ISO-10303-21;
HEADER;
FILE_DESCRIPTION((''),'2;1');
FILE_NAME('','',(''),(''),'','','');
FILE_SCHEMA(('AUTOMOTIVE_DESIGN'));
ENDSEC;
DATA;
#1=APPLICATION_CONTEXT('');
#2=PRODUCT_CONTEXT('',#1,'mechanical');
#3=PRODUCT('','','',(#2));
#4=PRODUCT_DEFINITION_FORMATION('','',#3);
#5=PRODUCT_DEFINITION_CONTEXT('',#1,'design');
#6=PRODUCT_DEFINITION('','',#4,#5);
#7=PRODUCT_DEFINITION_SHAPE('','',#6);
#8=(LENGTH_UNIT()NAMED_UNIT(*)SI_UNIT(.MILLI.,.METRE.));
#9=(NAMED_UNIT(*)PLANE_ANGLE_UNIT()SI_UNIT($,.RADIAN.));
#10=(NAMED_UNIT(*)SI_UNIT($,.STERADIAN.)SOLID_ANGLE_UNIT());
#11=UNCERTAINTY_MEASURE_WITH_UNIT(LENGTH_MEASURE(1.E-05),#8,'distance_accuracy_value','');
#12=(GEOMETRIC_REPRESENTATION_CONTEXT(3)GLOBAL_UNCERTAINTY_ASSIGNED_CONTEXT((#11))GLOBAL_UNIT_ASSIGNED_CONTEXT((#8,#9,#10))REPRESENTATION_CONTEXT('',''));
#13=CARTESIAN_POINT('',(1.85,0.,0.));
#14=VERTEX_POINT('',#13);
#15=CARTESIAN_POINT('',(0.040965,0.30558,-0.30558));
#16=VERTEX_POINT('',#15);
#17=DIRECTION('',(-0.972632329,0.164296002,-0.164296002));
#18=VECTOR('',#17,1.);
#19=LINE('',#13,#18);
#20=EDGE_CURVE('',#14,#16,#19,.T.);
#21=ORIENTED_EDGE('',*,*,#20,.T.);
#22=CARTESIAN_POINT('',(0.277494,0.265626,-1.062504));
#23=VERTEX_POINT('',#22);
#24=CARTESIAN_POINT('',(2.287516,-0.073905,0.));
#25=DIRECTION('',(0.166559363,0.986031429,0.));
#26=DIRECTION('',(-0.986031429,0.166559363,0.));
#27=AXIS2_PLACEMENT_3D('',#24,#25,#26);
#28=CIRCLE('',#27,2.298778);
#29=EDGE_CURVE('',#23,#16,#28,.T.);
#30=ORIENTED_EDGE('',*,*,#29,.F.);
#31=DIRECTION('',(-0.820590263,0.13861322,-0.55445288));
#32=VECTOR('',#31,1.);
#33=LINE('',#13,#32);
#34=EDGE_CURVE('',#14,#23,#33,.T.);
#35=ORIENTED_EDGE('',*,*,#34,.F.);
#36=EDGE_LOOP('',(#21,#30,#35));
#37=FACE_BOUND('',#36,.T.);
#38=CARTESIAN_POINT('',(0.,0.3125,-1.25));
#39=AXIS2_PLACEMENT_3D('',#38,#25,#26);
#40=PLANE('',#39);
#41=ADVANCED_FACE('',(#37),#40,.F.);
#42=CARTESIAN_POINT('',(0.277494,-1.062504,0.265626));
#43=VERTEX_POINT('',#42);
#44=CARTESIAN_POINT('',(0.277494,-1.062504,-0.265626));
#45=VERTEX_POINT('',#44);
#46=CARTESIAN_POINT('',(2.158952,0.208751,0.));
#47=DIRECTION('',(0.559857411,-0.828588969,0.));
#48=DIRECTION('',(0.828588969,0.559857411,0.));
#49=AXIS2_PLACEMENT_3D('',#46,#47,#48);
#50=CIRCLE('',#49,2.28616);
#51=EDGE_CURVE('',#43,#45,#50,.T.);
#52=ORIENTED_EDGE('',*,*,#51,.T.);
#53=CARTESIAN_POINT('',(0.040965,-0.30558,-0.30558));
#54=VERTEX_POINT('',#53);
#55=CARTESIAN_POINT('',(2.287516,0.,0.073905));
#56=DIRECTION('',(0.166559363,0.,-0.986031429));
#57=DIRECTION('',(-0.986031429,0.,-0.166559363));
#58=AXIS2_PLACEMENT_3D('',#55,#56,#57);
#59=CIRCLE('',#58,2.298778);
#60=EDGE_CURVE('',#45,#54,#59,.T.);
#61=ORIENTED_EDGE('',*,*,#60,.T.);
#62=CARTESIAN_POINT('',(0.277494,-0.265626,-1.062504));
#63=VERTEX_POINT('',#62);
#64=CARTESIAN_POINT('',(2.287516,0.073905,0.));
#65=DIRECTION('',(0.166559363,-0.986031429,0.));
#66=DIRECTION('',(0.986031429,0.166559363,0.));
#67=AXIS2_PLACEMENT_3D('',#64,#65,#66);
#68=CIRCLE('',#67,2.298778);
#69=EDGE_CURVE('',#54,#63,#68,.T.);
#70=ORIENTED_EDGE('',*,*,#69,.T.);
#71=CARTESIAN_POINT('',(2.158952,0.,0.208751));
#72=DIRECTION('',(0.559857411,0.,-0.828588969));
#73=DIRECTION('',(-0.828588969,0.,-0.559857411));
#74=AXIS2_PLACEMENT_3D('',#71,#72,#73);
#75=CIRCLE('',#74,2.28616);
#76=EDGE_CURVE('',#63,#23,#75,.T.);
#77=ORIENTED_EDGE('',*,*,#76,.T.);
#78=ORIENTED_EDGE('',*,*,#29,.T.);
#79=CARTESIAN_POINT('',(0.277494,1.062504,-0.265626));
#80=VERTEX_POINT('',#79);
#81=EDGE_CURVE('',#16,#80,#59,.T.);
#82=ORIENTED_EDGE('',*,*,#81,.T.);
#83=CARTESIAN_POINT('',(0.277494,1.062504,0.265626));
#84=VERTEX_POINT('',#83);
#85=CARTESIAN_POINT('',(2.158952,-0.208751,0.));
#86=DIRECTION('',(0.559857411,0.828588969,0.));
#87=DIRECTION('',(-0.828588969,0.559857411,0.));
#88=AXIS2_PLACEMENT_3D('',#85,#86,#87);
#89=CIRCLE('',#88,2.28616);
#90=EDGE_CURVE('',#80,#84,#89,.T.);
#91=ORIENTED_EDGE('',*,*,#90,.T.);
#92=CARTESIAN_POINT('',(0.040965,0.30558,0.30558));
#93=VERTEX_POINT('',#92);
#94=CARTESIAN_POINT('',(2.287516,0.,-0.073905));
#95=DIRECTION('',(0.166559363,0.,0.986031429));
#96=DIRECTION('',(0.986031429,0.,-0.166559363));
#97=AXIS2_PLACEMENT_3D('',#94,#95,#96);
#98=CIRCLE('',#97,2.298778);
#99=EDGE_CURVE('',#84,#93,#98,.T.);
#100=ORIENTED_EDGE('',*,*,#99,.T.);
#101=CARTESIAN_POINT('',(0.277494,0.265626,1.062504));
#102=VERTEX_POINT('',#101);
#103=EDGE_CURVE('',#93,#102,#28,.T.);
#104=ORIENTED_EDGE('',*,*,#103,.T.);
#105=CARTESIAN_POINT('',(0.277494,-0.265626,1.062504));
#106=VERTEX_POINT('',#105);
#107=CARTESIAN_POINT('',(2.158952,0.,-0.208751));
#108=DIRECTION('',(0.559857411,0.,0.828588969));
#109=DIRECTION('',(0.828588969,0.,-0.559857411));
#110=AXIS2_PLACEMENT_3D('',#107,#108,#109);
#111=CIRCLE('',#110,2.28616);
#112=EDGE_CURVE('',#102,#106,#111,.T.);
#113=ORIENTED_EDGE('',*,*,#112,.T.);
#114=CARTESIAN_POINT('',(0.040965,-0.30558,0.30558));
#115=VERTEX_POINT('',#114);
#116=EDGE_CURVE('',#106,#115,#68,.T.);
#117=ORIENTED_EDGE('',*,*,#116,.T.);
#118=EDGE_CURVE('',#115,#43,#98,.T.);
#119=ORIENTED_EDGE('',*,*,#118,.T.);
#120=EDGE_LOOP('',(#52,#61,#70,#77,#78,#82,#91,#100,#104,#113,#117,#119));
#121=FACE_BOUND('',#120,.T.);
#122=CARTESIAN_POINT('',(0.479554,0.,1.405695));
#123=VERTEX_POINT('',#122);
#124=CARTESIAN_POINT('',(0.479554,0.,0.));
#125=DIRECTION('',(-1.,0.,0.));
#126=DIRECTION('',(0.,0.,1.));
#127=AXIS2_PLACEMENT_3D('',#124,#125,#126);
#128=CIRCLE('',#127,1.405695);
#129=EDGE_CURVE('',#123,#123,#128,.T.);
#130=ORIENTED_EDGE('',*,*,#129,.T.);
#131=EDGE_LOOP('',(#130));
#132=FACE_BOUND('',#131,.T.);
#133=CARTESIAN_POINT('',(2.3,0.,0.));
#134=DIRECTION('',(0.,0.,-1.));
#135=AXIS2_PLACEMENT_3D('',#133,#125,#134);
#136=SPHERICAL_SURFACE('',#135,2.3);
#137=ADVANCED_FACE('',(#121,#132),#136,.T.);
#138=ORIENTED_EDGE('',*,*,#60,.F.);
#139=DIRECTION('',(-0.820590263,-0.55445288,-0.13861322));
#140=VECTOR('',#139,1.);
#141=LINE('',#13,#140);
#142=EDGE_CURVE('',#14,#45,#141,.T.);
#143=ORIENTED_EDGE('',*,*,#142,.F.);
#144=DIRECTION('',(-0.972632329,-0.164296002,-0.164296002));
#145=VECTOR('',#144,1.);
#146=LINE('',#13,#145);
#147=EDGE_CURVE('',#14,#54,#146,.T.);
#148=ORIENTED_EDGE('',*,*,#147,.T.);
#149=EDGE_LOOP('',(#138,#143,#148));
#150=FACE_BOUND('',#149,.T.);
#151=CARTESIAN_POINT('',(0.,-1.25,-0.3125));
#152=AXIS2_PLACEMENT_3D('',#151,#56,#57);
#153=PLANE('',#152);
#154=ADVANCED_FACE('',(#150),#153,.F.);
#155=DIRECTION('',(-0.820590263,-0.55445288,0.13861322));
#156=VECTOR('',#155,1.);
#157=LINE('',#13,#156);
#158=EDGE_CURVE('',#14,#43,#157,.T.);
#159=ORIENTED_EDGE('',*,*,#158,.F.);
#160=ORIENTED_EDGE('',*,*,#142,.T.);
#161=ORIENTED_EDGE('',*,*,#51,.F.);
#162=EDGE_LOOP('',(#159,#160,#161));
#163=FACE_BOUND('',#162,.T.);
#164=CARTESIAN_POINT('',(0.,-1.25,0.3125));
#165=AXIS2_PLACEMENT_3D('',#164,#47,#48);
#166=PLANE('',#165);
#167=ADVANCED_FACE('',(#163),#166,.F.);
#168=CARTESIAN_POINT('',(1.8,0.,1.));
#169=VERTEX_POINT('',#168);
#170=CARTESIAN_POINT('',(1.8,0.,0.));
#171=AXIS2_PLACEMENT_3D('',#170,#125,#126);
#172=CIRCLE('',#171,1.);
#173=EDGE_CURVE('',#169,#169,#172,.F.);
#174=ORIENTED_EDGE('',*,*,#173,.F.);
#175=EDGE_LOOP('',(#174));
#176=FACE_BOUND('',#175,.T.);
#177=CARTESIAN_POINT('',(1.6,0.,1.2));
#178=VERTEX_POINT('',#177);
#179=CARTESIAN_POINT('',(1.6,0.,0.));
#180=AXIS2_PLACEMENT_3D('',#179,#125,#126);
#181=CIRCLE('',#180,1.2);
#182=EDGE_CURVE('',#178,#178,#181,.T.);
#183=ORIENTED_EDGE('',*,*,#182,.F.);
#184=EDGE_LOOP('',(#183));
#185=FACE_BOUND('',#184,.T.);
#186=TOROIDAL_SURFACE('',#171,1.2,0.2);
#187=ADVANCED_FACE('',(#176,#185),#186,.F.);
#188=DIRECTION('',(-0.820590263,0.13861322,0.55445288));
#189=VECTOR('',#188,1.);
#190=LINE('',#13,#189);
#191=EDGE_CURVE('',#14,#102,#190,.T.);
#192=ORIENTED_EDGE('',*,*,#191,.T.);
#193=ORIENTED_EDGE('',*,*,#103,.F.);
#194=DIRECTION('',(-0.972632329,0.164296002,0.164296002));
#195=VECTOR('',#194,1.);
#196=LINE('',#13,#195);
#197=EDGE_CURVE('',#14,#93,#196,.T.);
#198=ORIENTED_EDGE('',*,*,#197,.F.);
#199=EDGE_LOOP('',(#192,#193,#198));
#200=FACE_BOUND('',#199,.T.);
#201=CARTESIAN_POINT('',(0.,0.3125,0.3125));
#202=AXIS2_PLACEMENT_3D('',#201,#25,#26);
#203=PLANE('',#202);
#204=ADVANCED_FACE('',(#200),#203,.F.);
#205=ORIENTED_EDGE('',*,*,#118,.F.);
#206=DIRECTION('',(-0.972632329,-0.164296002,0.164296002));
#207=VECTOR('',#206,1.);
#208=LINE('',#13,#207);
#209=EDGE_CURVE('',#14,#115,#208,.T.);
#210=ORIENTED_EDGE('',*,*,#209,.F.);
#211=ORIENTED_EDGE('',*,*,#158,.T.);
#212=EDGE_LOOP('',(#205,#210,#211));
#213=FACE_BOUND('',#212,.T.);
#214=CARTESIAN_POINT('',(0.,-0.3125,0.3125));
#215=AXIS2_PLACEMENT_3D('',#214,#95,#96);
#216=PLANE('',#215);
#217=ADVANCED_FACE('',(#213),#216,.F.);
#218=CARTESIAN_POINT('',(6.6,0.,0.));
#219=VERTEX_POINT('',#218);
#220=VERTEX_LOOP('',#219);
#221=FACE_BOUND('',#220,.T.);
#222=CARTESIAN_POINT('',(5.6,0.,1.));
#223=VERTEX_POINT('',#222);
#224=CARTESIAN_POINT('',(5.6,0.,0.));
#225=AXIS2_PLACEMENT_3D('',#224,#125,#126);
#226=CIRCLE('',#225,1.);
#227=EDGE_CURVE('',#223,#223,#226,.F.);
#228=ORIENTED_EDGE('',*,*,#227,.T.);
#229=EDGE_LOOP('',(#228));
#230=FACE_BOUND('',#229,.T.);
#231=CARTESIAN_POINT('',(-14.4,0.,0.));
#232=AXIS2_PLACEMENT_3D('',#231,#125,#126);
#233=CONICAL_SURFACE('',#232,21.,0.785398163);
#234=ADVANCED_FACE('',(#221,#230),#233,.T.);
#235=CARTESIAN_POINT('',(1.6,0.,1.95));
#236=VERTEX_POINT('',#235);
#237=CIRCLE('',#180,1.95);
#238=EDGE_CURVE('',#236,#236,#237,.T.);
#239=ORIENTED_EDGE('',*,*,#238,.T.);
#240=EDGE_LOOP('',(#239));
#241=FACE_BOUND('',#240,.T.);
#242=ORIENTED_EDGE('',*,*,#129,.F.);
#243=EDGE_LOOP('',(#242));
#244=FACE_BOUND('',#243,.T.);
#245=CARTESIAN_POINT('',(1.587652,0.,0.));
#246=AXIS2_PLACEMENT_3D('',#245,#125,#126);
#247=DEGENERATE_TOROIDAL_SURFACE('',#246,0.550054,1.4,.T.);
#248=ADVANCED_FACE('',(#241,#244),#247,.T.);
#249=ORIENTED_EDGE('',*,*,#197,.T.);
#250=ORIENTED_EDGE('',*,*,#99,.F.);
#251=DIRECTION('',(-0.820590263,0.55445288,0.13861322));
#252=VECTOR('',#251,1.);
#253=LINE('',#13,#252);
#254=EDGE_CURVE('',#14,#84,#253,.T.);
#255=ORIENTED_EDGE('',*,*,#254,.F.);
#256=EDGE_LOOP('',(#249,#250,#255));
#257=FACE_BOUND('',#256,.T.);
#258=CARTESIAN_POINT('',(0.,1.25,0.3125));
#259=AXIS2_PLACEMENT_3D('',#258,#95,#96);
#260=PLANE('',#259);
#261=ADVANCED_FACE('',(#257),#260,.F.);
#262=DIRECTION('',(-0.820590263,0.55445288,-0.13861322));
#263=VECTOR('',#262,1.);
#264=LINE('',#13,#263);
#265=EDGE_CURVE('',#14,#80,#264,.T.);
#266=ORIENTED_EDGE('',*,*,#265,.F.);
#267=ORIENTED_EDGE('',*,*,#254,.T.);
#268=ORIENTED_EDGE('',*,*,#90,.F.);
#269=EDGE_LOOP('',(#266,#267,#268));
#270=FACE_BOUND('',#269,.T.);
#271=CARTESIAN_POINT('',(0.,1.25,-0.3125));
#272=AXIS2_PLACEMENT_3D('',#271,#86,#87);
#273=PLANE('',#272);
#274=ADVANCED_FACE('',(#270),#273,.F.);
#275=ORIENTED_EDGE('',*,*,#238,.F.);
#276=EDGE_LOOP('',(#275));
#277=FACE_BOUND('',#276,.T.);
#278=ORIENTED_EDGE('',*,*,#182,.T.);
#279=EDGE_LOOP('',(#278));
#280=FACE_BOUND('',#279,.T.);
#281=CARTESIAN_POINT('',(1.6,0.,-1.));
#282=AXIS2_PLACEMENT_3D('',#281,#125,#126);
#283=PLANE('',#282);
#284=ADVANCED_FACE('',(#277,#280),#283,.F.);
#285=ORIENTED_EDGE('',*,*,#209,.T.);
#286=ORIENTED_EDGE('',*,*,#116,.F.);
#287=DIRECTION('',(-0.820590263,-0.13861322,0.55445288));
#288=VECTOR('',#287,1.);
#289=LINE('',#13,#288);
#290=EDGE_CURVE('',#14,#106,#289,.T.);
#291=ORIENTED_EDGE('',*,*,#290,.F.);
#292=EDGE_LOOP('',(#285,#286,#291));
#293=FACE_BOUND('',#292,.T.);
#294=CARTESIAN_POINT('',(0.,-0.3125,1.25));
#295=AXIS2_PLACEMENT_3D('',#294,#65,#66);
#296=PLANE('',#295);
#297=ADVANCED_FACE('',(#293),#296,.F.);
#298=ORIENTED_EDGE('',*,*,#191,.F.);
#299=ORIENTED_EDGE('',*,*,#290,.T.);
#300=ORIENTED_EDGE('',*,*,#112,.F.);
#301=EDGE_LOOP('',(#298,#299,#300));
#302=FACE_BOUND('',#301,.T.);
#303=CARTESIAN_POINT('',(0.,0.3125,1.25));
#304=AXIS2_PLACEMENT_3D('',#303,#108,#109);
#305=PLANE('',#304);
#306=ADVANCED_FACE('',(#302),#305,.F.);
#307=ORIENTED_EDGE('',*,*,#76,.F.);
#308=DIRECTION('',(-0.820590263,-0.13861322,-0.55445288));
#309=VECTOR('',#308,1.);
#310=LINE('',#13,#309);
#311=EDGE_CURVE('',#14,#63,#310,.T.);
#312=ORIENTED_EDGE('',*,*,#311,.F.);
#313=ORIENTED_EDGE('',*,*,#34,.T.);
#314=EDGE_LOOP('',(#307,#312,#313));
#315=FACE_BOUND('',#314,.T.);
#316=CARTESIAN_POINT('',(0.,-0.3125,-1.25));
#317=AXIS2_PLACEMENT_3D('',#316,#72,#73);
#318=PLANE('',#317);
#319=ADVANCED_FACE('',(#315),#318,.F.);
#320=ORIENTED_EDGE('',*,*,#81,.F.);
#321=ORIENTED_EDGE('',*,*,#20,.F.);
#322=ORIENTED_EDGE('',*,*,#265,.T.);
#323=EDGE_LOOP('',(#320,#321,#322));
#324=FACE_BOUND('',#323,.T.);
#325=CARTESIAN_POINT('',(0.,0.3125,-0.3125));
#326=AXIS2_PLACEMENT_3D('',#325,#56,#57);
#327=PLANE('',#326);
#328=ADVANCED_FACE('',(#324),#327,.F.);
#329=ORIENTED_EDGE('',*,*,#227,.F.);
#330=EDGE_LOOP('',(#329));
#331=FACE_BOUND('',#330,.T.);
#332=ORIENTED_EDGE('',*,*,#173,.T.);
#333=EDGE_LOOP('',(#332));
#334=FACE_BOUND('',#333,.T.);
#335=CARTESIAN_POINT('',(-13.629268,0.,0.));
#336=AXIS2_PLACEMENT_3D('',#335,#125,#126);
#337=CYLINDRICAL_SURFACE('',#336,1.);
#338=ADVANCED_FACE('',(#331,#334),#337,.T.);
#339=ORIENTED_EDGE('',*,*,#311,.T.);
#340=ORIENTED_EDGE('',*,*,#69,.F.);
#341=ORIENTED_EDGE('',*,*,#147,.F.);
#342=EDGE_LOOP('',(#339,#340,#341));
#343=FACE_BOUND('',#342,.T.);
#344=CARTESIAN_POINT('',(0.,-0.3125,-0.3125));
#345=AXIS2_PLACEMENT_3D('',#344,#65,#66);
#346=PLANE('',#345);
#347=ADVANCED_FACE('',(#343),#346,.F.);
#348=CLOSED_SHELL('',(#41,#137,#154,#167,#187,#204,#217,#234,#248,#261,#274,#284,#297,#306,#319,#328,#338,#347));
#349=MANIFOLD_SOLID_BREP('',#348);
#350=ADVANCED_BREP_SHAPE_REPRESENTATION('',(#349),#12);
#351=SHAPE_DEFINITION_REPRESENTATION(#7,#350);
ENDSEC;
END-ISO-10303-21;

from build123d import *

# Parameters (mm, degrees)
FILLET2_R = 0.2


with BuildPart() as part:
    # Sketch1 → Revolve1 (revolve)
    with BuildSketch(Plane(origin=(0, 0, 0), x_dir=(1, 0, 0), z_dir=(0, 1, 0))):
        with BuildLine():
            Line((1.6, 1), (6.6, 1))
            Line((6.6, 1), (6.6, 0))
            Line((6.6, 0), (0, 0))
            ThreePointArc((0, 0), (0.12318754, 0.742622052), (0.479554358, 1.405694727))
            ThreePointArc((0.479554358, 1.405694727), (0.97590539, 1.809326647), (1.6, 1.95))
            Line((1.6, 1.95), (1.6, 1))
        make_face()
    revolve(axis=Axis((-13.629268293, 0, 0), (1, 0, 0)))

    # Fillet2
    fillet2_edges = [part.edges().sort_by_distance(p)[0] for p in [
        (1.6, 0, 1),
    ]]
    fillet(fillet2_edges, radius=FILLET2_R)

    # Sketch4 → Cut-Revolve1 (revolve, cut)
    with BuildSketch(Plane(origin=(0, 0, 0), x_dir=(1, 0, 0), z_dir=(0, 1, 0))):
        Polygon((7.333454633, 0), (7.333454633, 21), (-14.4, 21), (6.6, 0), align=None)
    revolve(axis=Axis((4.782773752, 0, 0), (1, 0, 0)), mode=Mode.SUBTRACT)

    # Sketch2 → Cut-Loft1 section 0
    with BuildSketch(Plane(origin=(0, 0, 0), x_dir=(0, 0, -1), z_dir=(1, 0, 0)), mode=Mode.PRIVATE) as cut_loft1_s0:
        Polygon((-0.3125, 0.3125), (-1.25, 0.3125), (-1.25, -0.3125), (-0.3125, -0.3125), (-0.3125, -1.25), (0.3125, -1.25), (0.3125, -0.3125), (1.25, -0.3125), (1.25, 0.3125), (0.3125, 0.3125), (0.3125, 1.25), (-0.3125, 1.25), align=None)
    loft([Vertex(1.85, 0, 0), cut_loft1_s0.sketch], mode=Mode.SUBTRACT)


solid = part.part
